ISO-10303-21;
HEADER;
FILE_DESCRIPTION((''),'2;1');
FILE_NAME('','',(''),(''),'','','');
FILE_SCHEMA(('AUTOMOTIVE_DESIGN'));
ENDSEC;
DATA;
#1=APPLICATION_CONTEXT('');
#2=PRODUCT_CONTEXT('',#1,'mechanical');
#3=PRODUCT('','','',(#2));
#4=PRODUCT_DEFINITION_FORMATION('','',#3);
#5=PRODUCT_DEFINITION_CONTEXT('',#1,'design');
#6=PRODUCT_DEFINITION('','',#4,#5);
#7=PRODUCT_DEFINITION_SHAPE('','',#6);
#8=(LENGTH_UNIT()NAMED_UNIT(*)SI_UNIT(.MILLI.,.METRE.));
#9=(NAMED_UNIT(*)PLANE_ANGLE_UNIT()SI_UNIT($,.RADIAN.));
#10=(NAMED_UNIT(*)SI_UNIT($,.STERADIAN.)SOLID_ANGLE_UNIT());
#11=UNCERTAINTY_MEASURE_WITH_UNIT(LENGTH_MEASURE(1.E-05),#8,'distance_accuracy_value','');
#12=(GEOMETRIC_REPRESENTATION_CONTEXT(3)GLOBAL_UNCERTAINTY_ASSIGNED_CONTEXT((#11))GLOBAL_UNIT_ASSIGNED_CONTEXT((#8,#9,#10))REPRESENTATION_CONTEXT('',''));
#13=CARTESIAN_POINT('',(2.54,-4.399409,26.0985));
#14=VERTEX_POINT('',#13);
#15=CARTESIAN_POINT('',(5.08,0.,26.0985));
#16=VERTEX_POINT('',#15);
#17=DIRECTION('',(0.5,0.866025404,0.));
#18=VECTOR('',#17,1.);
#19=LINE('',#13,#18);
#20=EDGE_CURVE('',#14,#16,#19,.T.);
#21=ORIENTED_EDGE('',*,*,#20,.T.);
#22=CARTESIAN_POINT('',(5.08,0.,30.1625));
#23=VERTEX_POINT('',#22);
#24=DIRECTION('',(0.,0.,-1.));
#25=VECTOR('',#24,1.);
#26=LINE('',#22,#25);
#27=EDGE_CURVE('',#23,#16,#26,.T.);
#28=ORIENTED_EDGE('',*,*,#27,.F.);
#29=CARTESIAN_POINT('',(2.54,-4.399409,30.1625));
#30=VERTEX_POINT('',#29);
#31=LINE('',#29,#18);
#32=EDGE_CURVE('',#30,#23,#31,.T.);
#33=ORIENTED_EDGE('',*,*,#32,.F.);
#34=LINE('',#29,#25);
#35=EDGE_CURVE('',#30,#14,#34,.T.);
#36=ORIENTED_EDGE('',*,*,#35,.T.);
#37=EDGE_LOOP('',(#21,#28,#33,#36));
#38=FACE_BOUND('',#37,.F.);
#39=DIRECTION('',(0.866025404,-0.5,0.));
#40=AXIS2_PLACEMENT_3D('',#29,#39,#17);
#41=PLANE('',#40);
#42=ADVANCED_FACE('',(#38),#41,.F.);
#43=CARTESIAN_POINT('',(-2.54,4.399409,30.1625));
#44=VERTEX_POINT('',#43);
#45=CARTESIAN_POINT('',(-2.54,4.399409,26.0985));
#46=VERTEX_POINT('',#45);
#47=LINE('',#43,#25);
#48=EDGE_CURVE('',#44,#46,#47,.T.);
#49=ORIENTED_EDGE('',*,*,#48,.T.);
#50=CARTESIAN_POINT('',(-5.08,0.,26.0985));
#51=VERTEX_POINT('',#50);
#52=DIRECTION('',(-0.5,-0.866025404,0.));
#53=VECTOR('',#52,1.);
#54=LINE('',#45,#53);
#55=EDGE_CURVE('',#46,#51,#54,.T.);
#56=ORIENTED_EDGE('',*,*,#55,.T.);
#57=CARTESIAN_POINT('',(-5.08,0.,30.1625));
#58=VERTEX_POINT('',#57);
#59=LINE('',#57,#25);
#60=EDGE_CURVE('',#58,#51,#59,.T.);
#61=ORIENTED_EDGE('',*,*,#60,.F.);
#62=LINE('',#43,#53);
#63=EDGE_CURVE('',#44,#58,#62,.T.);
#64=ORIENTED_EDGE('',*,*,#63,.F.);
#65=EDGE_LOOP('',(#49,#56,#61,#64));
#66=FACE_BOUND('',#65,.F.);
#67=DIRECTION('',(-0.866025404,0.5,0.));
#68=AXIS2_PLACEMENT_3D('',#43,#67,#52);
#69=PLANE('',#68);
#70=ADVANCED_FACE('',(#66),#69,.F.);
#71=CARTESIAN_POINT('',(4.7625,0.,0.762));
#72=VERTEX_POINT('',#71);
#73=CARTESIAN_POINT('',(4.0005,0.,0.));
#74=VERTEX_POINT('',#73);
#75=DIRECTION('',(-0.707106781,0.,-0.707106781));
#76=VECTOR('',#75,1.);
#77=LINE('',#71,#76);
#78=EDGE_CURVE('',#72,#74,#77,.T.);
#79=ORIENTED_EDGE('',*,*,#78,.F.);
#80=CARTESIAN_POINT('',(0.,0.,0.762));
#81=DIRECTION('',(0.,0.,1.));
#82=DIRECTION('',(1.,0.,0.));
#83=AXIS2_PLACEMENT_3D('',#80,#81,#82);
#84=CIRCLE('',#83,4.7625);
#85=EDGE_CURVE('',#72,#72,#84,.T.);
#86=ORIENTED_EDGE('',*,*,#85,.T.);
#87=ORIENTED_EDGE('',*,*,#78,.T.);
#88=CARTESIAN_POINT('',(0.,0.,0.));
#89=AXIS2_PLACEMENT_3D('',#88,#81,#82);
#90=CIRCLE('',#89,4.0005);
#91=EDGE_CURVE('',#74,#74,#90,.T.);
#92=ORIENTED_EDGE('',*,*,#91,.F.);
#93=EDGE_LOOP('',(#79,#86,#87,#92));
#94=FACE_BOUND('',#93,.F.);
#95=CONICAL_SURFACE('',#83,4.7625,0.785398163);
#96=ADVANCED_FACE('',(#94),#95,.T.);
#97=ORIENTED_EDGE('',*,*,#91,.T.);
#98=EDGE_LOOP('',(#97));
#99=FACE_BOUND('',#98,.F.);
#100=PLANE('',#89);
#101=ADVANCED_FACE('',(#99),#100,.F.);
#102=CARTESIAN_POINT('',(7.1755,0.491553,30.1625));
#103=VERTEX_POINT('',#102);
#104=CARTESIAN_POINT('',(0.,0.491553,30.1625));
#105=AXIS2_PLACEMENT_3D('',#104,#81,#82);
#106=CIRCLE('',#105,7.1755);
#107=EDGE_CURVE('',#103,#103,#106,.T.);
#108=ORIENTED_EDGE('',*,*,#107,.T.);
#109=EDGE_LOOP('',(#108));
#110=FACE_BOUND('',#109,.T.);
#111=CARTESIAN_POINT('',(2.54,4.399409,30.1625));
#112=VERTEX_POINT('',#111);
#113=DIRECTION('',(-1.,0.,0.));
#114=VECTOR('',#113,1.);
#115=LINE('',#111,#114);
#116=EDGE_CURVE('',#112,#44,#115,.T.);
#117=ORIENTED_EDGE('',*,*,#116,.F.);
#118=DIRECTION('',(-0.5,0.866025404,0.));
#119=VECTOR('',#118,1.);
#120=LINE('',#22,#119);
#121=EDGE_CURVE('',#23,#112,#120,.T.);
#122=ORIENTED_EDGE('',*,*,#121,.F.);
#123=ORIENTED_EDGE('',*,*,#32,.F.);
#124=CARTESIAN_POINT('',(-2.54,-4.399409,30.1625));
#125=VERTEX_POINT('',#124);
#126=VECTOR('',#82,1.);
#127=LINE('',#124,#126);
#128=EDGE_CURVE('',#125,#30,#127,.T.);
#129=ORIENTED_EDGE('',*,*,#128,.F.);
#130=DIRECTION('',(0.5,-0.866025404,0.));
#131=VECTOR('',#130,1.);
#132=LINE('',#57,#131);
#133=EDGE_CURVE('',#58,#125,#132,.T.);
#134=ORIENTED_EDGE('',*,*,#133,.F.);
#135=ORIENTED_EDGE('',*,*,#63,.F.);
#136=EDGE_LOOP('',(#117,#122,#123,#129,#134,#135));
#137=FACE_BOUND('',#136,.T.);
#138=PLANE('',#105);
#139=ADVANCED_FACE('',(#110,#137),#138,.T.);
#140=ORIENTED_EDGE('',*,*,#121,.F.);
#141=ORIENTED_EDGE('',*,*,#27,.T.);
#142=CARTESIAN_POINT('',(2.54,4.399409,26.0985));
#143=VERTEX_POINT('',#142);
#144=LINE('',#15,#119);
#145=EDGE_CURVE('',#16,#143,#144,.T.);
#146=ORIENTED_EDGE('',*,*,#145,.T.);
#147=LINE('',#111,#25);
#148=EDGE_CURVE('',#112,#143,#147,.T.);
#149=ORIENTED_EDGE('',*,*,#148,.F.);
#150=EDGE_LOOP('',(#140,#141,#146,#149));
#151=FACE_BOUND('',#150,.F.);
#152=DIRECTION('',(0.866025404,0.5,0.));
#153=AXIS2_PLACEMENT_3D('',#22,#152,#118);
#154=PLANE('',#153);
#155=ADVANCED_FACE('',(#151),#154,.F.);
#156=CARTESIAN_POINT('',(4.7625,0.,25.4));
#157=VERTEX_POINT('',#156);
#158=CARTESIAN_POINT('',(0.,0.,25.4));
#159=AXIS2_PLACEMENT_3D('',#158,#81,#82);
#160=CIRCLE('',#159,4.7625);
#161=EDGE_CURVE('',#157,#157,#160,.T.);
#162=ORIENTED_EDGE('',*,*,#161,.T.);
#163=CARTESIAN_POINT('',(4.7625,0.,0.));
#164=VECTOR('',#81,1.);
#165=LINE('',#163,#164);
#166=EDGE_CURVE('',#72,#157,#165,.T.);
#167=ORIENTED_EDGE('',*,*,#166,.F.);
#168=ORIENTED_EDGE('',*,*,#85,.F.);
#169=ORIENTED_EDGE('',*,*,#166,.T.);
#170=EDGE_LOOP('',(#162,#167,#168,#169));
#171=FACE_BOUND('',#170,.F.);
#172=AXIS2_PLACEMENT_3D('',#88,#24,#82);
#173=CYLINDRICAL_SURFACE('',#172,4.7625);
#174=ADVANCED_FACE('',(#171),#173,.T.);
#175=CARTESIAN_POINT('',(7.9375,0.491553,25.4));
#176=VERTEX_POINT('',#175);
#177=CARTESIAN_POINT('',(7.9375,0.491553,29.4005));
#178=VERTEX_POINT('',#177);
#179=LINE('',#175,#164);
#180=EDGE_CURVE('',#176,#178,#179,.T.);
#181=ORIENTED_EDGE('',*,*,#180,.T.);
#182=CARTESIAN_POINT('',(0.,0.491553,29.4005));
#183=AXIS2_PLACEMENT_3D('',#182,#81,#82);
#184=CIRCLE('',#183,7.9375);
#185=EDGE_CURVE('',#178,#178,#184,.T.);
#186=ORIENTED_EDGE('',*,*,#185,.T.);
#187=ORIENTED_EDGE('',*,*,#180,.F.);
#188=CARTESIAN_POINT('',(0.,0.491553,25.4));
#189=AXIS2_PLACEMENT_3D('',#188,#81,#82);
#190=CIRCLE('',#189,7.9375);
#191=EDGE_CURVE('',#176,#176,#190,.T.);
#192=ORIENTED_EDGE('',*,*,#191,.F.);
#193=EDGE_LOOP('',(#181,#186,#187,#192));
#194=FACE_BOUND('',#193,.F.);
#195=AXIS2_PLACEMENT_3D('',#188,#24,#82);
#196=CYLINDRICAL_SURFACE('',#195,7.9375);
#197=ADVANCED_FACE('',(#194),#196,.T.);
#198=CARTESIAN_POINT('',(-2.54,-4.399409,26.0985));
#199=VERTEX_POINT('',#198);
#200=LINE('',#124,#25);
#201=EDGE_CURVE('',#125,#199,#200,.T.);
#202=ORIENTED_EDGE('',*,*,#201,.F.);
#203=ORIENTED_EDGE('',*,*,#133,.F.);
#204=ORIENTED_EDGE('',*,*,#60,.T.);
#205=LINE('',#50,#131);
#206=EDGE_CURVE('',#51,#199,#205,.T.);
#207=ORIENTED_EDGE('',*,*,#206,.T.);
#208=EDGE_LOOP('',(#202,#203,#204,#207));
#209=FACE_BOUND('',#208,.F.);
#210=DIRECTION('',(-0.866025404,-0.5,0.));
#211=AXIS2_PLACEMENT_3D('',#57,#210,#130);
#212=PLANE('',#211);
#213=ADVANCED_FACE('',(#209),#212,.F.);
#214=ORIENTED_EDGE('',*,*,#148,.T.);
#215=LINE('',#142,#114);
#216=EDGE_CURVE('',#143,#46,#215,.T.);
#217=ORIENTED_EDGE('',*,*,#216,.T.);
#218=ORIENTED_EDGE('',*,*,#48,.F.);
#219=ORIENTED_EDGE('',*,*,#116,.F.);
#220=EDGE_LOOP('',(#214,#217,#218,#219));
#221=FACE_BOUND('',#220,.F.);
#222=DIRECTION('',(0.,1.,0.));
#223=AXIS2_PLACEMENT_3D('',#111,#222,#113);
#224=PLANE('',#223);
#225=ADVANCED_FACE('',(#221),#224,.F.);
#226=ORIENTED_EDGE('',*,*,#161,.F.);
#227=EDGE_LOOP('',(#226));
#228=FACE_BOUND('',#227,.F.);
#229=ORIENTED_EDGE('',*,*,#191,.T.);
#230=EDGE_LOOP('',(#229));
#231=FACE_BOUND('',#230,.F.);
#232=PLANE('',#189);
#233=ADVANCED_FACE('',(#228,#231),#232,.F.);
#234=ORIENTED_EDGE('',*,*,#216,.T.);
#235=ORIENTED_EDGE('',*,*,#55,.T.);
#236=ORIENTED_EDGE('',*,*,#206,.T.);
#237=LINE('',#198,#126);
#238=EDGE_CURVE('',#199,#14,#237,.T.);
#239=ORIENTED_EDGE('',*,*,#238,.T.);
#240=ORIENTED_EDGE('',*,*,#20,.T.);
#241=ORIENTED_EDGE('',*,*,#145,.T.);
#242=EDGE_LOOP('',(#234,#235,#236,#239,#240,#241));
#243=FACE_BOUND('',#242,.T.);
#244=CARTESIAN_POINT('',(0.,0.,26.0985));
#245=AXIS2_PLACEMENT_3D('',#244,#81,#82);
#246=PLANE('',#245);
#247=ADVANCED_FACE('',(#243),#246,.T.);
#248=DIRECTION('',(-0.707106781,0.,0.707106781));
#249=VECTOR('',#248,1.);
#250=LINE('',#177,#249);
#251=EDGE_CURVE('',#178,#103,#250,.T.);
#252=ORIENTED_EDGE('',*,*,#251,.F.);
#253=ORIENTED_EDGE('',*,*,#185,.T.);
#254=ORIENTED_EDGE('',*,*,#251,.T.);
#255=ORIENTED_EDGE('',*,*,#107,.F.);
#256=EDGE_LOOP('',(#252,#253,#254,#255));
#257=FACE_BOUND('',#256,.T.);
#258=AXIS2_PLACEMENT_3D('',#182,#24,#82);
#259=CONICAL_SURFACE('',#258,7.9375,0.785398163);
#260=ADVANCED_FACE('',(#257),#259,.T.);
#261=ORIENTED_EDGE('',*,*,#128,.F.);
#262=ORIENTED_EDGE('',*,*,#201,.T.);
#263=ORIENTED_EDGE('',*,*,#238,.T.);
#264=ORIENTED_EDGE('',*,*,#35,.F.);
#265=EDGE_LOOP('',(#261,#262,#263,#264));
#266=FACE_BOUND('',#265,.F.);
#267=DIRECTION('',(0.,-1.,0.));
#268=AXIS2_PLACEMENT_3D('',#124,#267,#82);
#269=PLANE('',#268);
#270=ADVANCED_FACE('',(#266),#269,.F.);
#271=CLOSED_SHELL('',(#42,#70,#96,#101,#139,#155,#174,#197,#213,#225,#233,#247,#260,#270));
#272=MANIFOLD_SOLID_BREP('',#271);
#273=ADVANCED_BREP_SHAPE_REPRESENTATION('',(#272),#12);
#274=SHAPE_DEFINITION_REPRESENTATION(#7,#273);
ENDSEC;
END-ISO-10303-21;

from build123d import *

# Parameters (mm, degrees)
SKETCH1_R          = 4.7625
EXTRUDE1_DEPTH     = 25.4
SKETCH3_R          = 7.9375
EXTRUDE3_DEPTH     = 4.7625
CHAMFER1_SIZE      = 0.762
CUT_EXTRUDE1_DEPTH = 4.064


with BuildPart() as part:
    # Sketch1 → Extrude1 (new body)
    with BuildSketch(Plane.XY):
        Circle(SKETCH1_R)
    extrude(amount=EXTRUDE1_DEPTH)

    # Sketch3 → Extrude3 (add)
    with BuildSketch(Plane.XY.offset(25.4)):
        with Locations((0, 0.491553118)):
            Circle(SKETCH3_R)
    extrude(amount=EXTRUDE3_DEPTH)

    # Chamfer1
    chamfer1_edges = [part.edges().sort_by_distance(p)[0] for p in [
        (-7.9375, 0.491553118, 30.1625),
        (-4.7625, 0, 0),
    ]]
    chamfer(chamfer1_edges, length=CHAMFER1_SIZE)

    # Sketch4 → Cut-Extrude1 (cut)
    with BuildSketch(Plane.XY.offset(30.1625)):
        Polygon((5.08, 0), (2.54, 4.399409051), (-2.54, 4.399409051), (-5.08, 0), (-2.54, -4.399409051), (2.54, -4.399409051), align=None)
    extrude(amount=-CUT_EXTRUDE1_DEPTH, mode=Mode.SUBTRACT)


solid = part.part
